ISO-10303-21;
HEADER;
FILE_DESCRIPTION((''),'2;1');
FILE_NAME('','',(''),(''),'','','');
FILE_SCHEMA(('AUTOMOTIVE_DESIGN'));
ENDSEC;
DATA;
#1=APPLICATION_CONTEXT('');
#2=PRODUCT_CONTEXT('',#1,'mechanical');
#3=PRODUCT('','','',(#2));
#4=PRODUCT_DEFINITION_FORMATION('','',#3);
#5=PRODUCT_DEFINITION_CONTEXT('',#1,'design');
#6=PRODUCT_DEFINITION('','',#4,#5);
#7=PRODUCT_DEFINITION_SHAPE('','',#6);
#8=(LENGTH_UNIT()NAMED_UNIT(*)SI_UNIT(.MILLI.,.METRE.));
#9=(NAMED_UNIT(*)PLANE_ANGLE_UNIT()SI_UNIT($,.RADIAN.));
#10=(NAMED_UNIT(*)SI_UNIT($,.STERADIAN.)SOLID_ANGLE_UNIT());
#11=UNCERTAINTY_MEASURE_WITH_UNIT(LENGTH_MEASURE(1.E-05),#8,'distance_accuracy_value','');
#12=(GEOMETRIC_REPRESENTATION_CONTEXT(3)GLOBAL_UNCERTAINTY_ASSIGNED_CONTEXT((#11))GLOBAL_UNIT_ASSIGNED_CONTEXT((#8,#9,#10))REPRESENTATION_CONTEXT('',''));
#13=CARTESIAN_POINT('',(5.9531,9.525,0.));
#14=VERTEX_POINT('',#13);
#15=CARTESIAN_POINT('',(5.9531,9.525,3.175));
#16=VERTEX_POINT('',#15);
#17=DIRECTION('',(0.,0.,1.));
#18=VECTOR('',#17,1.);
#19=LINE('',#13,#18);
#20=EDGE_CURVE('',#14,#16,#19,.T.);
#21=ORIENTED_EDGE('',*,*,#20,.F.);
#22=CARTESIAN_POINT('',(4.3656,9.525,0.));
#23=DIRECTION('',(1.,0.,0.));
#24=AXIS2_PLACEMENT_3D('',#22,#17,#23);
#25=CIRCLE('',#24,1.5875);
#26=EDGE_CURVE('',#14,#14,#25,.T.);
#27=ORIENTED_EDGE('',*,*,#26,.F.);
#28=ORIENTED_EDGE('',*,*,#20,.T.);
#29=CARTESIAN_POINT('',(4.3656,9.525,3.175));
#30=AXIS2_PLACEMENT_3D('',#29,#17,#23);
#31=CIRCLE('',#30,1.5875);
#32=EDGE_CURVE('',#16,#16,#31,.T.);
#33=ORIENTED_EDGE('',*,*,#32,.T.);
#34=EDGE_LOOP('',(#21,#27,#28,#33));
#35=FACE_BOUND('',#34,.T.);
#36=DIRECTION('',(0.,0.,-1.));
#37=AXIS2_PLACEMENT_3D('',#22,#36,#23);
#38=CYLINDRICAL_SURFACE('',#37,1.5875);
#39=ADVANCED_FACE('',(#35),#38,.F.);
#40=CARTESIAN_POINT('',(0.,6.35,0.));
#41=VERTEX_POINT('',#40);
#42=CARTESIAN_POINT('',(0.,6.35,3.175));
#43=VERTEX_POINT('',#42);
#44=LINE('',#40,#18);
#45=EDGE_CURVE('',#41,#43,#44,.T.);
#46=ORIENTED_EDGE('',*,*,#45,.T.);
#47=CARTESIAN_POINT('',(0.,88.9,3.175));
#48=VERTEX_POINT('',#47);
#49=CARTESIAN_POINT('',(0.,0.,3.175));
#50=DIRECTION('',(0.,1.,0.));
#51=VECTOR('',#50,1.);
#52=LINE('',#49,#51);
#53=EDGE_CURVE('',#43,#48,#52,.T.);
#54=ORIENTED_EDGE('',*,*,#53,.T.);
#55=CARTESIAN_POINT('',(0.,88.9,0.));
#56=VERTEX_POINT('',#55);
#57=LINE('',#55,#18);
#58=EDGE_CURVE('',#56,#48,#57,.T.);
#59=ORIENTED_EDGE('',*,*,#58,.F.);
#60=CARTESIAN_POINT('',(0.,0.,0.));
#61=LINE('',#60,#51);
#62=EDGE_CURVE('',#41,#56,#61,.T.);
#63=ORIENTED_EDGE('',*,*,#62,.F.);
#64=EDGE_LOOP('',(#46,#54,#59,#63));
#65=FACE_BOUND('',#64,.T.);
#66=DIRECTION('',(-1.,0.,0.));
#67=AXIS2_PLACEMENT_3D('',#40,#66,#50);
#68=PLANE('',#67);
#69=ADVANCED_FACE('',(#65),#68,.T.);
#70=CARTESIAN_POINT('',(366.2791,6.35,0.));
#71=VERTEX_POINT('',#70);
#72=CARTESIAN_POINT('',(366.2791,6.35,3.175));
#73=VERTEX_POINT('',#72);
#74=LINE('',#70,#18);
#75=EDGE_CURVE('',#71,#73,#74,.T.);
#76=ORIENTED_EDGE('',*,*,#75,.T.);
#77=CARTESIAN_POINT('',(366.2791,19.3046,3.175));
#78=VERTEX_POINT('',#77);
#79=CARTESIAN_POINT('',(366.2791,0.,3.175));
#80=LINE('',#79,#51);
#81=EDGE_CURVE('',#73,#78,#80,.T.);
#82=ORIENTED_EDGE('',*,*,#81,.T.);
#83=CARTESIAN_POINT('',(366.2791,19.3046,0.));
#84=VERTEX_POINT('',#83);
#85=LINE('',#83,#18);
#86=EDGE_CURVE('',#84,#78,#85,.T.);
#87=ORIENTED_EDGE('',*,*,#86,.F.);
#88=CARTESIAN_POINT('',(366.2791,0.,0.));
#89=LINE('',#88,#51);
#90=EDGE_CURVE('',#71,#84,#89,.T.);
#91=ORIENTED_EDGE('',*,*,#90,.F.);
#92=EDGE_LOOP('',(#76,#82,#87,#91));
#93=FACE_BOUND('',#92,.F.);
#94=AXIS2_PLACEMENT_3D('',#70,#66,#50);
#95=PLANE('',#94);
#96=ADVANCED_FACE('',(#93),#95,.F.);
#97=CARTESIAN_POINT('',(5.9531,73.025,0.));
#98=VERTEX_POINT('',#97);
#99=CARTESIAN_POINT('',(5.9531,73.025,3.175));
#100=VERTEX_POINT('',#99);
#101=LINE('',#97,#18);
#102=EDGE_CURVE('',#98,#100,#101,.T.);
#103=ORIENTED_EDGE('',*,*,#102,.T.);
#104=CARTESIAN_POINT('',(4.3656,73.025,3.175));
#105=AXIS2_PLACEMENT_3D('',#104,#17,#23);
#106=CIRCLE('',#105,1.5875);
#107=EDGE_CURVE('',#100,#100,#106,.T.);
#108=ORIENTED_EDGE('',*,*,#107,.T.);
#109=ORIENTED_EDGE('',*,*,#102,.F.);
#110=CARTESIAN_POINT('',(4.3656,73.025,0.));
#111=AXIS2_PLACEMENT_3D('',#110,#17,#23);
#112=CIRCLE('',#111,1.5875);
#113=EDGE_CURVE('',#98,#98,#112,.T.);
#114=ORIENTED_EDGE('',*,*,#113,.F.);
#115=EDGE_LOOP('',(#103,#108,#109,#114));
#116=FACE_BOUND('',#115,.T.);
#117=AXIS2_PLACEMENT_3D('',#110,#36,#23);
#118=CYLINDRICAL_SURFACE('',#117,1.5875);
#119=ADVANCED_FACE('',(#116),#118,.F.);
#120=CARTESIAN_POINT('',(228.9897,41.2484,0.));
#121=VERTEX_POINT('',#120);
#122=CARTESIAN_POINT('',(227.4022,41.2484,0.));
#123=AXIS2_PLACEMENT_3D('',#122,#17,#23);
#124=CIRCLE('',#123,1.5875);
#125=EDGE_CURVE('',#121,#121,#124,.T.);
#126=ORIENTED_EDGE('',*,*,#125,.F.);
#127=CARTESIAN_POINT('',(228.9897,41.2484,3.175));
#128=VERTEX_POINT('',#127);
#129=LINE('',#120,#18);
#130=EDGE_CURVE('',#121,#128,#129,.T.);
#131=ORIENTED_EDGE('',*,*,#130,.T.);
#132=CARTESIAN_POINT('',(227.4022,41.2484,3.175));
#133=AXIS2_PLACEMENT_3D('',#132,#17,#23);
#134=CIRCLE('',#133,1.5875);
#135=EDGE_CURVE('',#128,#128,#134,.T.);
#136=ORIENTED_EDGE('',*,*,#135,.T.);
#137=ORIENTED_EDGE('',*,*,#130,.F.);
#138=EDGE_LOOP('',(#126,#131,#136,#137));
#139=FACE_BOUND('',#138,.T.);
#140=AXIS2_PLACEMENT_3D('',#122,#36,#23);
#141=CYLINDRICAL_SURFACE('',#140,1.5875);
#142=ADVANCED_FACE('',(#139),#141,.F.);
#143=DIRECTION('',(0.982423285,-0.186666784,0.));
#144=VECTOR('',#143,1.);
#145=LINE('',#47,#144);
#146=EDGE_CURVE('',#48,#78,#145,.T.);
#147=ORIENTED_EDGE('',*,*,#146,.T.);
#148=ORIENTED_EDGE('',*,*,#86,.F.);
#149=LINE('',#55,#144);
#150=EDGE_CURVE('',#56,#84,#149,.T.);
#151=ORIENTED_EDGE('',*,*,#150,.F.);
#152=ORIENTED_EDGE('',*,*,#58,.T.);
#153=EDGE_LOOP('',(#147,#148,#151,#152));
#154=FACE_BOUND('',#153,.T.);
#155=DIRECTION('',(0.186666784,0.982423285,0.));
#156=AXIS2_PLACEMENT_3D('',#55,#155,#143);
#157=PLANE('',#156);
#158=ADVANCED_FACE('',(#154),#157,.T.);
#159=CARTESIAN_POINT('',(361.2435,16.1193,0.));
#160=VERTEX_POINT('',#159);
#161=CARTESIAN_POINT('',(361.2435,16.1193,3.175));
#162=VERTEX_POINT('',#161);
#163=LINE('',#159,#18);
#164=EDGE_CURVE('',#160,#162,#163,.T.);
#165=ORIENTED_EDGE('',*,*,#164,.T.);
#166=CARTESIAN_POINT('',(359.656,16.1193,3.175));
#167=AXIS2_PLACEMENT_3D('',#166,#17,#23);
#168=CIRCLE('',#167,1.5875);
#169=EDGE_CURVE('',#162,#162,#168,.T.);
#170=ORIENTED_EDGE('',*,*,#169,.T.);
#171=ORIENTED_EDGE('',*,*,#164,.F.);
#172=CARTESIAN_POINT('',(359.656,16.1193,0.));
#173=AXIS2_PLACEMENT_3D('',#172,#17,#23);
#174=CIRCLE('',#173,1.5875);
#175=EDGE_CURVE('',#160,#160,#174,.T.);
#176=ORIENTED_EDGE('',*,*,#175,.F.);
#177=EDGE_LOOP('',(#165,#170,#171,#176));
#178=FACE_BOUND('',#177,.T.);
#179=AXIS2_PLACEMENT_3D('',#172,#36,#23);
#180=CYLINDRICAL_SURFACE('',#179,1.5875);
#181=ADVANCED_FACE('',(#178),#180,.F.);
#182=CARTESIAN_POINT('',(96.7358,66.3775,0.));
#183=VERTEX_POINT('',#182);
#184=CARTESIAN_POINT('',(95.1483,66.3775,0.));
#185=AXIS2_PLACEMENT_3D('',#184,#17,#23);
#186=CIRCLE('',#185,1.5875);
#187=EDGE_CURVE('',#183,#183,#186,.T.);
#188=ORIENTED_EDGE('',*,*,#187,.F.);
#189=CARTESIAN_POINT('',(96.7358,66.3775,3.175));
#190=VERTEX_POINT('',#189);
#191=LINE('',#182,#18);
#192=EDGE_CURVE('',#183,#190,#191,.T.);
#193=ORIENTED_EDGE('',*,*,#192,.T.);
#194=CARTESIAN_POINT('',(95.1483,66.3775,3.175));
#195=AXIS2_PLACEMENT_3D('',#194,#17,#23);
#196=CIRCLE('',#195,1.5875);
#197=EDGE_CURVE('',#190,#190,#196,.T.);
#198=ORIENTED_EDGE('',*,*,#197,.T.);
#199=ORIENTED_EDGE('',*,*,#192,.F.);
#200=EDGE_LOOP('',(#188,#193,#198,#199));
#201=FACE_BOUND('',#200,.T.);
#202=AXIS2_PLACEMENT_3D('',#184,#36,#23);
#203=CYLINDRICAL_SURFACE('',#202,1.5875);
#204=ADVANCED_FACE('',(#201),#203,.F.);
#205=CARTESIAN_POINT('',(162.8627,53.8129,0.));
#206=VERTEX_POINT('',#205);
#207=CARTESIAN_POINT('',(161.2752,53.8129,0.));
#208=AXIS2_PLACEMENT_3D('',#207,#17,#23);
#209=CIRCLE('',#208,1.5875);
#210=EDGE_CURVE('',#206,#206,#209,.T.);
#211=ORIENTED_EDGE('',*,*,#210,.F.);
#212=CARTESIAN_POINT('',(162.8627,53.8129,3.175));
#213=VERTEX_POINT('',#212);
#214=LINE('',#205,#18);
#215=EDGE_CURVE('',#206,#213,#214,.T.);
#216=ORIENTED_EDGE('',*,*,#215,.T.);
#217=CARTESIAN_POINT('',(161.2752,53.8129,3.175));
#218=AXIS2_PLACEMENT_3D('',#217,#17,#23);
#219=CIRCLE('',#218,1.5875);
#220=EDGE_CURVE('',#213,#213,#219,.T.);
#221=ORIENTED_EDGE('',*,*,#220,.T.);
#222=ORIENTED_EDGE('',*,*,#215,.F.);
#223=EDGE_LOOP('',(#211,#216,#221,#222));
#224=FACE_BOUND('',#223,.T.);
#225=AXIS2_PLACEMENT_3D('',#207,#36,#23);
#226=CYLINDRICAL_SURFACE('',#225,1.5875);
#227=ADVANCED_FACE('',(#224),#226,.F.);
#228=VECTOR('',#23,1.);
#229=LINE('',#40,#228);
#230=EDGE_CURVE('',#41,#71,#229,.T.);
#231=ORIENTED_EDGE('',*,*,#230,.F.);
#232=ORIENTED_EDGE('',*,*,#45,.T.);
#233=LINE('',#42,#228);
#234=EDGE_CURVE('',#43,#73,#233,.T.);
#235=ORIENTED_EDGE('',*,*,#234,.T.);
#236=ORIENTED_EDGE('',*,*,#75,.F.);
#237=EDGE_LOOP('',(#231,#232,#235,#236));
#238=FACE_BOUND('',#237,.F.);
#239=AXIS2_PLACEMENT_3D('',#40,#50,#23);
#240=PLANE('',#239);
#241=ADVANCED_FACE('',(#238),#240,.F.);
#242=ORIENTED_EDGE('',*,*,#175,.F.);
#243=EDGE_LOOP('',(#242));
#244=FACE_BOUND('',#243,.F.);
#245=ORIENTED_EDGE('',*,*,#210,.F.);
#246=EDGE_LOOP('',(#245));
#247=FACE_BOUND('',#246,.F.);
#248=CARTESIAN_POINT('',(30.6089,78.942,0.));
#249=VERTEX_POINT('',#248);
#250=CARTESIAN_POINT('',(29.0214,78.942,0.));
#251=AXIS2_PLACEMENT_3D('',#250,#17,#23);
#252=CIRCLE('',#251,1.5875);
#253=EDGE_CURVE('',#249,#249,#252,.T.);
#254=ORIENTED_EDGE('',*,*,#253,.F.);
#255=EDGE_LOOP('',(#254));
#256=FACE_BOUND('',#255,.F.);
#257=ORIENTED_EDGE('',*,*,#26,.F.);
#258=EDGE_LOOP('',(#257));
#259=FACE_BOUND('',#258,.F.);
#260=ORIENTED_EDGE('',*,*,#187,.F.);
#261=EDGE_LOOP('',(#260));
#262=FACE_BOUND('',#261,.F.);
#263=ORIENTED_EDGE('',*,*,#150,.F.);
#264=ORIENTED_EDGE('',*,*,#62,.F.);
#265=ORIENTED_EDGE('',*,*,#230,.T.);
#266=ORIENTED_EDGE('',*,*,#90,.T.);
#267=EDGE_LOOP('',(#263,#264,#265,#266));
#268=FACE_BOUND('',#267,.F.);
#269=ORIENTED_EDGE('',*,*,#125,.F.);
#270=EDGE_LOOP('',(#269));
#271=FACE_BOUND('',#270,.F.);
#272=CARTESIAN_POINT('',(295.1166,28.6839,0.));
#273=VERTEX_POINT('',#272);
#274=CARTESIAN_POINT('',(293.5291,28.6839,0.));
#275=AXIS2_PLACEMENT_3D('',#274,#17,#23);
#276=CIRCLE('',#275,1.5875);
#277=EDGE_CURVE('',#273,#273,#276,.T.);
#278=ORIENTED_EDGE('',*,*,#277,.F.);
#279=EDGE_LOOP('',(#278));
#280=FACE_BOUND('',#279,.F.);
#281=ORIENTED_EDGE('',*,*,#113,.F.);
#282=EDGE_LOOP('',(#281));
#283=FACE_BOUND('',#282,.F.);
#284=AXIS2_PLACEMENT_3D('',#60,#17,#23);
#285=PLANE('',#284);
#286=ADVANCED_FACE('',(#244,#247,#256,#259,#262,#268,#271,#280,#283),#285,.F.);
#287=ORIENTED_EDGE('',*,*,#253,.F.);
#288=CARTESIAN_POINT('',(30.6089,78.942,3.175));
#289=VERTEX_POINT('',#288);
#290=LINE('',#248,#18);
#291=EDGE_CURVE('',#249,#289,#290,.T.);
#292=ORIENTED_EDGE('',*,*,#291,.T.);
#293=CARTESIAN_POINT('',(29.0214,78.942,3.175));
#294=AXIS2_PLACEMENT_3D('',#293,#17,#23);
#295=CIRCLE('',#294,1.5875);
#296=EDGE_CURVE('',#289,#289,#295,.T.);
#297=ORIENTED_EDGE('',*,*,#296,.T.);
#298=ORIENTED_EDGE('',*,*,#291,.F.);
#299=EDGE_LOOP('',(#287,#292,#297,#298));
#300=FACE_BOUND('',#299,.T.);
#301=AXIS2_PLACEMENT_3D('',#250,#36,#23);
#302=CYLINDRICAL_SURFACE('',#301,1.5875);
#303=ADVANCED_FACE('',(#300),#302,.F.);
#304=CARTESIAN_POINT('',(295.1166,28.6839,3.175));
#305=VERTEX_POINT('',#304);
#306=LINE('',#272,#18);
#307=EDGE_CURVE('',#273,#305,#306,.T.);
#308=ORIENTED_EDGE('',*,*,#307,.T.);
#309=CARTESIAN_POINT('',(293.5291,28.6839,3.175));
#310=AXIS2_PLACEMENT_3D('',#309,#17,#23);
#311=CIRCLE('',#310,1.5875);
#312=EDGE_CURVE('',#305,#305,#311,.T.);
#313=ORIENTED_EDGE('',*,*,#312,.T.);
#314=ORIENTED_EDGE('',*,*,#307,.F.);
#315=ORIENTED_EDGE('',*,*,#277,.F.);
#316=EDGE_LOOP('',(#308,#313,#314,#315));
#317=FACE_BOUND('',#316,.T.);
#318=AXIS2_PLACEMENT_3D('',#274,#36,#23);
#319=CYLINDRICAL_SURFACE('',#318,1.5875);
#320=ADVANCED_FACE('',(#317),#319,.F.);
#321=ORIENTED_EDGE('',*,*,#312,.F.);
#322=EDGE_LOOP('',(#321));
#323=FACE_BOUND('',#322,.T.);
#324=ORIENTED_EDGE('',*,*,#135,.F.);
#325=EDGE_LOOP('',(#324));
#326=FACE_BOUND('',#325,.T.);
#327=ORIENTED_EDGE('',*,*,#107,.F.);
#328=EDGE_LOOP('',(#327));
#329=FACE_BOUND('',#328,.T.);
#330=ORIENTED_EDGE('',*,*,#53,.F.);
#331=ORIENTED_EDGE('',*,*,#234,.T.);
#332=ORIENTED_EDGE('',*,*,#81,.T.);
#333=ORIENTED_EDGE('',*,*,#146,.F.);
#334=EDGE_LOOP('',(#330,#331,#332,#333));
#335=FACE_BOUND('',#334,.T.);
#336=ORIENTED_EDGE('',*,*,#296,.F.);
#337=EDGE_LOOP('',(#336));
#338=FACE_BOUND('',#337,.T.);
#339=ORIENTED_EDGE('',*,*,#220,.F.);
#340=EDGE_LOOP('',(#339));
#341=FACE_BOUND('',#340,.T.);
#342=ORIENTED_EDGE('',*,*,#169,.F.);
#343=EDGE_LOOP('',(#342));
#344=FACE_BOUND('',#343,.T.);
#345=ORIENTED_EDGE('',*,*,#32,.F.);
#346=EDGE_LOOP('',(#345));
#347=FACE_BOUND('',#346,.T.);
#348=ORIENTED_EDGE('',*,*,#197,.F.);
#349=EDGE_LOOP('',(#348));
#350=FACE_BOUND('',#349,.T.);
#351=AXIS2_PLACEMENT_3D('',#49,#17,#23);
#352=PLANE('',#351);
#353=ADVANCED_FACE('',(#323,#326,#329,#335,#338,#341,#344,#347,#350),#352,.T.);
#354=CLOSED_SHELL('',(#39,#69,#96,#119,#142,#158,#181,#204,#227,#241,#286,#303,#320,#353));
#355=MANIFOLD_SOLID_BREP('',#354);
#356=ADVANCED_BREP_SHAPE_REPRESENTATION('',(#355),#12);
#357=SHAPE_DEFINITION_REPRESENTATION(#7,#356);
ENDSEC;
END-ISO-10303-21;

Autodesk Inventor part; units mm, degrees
ref_plane "YZ Plane" through (0, 0, 0) normal (1, 0, 0) x (0, 1, 0)
ref_plane "XZ Plane" through (0, 0, 0) normal (0, 1, 0) x (-1, 0, 0)
ref_plane "XY Plane" through (0, 0, 0) normal (0, 0, 1) x (1, 0, 0)
sketch "Sketch1" plane through (0, 0, 0) normal (0, 0, 1) x (1, 0, 0)
  line L0 (0, 0) -> (0, 88.9)
  line L1 (0, 88.9) -> (366.2791, 19.3046)
  line L2 (467.8791, 0) -> (366.2791, 0) construction
  line L3 (366.2791, 0) -> (366.2791, 19.3046)
  line L4 (366.2791, 19.3046) -> (467.8791, 0) construction
  line L5 (366.2791, 0) -> (0, 0)
  line L6 (0, 6.35) -> (366.2791, 6.35)
  circle A0 centre (4.3656, 73.025) radius 1.5875 projected
  circle A1 centre (4.3656, 9.525) radius 1.5875 projected
  line L7 (11.9063, 82.55) -> (-3.9687, 82.55) construction
  line L8 (11.9063, 82.55) -> (11.9063, 0) construction
  line L9 (-3.9687, 0) -> (11.9063, 0) construction
  line L10 (-3.9687, 82.55) -> (-3.9687, 0) construction
  circle A2 centre (293.5291, 28.6839) radius 1.5875 projected
  circle A3 centre (161.2752, 53.8129) radius 1.5875 projected
  circle A4 centre (29.0214, 78.942) radius 1.5875 projected
  circle A5 centre (95.1483, 66.3775) radius 1.5875 projected
  circle A6 centre (227.4022, 41.2484) radius 1.5875 projected
  circle A7 centre (359.656, 16.1193) radius 1.5875 projected
  line L11 (21.2196, 88.9079) -> (18.2563, 73.3119) construction
  line L12 (21.2196, 88.9079) -> (370.5693, 22.5292) construction
  line L13 (367.606, 6.9333) -> (370.5693, 22.5292) construction
  line L14 (18.2563, 73.3119) -> (367.606, 6.9333) construction
  dimension "d0" = 88.9
  dimension "d1" = 476.25
  dimension "d5" = 101.6
  dimension "d6" = 6.35
extrude "Extrusion1" add sketch "Sketch1" along normal blind 3.175 contours L0 L1 L3 L6
properties part number "Hopper Back Wedge Side" material "Polycarbonate, Clear"
